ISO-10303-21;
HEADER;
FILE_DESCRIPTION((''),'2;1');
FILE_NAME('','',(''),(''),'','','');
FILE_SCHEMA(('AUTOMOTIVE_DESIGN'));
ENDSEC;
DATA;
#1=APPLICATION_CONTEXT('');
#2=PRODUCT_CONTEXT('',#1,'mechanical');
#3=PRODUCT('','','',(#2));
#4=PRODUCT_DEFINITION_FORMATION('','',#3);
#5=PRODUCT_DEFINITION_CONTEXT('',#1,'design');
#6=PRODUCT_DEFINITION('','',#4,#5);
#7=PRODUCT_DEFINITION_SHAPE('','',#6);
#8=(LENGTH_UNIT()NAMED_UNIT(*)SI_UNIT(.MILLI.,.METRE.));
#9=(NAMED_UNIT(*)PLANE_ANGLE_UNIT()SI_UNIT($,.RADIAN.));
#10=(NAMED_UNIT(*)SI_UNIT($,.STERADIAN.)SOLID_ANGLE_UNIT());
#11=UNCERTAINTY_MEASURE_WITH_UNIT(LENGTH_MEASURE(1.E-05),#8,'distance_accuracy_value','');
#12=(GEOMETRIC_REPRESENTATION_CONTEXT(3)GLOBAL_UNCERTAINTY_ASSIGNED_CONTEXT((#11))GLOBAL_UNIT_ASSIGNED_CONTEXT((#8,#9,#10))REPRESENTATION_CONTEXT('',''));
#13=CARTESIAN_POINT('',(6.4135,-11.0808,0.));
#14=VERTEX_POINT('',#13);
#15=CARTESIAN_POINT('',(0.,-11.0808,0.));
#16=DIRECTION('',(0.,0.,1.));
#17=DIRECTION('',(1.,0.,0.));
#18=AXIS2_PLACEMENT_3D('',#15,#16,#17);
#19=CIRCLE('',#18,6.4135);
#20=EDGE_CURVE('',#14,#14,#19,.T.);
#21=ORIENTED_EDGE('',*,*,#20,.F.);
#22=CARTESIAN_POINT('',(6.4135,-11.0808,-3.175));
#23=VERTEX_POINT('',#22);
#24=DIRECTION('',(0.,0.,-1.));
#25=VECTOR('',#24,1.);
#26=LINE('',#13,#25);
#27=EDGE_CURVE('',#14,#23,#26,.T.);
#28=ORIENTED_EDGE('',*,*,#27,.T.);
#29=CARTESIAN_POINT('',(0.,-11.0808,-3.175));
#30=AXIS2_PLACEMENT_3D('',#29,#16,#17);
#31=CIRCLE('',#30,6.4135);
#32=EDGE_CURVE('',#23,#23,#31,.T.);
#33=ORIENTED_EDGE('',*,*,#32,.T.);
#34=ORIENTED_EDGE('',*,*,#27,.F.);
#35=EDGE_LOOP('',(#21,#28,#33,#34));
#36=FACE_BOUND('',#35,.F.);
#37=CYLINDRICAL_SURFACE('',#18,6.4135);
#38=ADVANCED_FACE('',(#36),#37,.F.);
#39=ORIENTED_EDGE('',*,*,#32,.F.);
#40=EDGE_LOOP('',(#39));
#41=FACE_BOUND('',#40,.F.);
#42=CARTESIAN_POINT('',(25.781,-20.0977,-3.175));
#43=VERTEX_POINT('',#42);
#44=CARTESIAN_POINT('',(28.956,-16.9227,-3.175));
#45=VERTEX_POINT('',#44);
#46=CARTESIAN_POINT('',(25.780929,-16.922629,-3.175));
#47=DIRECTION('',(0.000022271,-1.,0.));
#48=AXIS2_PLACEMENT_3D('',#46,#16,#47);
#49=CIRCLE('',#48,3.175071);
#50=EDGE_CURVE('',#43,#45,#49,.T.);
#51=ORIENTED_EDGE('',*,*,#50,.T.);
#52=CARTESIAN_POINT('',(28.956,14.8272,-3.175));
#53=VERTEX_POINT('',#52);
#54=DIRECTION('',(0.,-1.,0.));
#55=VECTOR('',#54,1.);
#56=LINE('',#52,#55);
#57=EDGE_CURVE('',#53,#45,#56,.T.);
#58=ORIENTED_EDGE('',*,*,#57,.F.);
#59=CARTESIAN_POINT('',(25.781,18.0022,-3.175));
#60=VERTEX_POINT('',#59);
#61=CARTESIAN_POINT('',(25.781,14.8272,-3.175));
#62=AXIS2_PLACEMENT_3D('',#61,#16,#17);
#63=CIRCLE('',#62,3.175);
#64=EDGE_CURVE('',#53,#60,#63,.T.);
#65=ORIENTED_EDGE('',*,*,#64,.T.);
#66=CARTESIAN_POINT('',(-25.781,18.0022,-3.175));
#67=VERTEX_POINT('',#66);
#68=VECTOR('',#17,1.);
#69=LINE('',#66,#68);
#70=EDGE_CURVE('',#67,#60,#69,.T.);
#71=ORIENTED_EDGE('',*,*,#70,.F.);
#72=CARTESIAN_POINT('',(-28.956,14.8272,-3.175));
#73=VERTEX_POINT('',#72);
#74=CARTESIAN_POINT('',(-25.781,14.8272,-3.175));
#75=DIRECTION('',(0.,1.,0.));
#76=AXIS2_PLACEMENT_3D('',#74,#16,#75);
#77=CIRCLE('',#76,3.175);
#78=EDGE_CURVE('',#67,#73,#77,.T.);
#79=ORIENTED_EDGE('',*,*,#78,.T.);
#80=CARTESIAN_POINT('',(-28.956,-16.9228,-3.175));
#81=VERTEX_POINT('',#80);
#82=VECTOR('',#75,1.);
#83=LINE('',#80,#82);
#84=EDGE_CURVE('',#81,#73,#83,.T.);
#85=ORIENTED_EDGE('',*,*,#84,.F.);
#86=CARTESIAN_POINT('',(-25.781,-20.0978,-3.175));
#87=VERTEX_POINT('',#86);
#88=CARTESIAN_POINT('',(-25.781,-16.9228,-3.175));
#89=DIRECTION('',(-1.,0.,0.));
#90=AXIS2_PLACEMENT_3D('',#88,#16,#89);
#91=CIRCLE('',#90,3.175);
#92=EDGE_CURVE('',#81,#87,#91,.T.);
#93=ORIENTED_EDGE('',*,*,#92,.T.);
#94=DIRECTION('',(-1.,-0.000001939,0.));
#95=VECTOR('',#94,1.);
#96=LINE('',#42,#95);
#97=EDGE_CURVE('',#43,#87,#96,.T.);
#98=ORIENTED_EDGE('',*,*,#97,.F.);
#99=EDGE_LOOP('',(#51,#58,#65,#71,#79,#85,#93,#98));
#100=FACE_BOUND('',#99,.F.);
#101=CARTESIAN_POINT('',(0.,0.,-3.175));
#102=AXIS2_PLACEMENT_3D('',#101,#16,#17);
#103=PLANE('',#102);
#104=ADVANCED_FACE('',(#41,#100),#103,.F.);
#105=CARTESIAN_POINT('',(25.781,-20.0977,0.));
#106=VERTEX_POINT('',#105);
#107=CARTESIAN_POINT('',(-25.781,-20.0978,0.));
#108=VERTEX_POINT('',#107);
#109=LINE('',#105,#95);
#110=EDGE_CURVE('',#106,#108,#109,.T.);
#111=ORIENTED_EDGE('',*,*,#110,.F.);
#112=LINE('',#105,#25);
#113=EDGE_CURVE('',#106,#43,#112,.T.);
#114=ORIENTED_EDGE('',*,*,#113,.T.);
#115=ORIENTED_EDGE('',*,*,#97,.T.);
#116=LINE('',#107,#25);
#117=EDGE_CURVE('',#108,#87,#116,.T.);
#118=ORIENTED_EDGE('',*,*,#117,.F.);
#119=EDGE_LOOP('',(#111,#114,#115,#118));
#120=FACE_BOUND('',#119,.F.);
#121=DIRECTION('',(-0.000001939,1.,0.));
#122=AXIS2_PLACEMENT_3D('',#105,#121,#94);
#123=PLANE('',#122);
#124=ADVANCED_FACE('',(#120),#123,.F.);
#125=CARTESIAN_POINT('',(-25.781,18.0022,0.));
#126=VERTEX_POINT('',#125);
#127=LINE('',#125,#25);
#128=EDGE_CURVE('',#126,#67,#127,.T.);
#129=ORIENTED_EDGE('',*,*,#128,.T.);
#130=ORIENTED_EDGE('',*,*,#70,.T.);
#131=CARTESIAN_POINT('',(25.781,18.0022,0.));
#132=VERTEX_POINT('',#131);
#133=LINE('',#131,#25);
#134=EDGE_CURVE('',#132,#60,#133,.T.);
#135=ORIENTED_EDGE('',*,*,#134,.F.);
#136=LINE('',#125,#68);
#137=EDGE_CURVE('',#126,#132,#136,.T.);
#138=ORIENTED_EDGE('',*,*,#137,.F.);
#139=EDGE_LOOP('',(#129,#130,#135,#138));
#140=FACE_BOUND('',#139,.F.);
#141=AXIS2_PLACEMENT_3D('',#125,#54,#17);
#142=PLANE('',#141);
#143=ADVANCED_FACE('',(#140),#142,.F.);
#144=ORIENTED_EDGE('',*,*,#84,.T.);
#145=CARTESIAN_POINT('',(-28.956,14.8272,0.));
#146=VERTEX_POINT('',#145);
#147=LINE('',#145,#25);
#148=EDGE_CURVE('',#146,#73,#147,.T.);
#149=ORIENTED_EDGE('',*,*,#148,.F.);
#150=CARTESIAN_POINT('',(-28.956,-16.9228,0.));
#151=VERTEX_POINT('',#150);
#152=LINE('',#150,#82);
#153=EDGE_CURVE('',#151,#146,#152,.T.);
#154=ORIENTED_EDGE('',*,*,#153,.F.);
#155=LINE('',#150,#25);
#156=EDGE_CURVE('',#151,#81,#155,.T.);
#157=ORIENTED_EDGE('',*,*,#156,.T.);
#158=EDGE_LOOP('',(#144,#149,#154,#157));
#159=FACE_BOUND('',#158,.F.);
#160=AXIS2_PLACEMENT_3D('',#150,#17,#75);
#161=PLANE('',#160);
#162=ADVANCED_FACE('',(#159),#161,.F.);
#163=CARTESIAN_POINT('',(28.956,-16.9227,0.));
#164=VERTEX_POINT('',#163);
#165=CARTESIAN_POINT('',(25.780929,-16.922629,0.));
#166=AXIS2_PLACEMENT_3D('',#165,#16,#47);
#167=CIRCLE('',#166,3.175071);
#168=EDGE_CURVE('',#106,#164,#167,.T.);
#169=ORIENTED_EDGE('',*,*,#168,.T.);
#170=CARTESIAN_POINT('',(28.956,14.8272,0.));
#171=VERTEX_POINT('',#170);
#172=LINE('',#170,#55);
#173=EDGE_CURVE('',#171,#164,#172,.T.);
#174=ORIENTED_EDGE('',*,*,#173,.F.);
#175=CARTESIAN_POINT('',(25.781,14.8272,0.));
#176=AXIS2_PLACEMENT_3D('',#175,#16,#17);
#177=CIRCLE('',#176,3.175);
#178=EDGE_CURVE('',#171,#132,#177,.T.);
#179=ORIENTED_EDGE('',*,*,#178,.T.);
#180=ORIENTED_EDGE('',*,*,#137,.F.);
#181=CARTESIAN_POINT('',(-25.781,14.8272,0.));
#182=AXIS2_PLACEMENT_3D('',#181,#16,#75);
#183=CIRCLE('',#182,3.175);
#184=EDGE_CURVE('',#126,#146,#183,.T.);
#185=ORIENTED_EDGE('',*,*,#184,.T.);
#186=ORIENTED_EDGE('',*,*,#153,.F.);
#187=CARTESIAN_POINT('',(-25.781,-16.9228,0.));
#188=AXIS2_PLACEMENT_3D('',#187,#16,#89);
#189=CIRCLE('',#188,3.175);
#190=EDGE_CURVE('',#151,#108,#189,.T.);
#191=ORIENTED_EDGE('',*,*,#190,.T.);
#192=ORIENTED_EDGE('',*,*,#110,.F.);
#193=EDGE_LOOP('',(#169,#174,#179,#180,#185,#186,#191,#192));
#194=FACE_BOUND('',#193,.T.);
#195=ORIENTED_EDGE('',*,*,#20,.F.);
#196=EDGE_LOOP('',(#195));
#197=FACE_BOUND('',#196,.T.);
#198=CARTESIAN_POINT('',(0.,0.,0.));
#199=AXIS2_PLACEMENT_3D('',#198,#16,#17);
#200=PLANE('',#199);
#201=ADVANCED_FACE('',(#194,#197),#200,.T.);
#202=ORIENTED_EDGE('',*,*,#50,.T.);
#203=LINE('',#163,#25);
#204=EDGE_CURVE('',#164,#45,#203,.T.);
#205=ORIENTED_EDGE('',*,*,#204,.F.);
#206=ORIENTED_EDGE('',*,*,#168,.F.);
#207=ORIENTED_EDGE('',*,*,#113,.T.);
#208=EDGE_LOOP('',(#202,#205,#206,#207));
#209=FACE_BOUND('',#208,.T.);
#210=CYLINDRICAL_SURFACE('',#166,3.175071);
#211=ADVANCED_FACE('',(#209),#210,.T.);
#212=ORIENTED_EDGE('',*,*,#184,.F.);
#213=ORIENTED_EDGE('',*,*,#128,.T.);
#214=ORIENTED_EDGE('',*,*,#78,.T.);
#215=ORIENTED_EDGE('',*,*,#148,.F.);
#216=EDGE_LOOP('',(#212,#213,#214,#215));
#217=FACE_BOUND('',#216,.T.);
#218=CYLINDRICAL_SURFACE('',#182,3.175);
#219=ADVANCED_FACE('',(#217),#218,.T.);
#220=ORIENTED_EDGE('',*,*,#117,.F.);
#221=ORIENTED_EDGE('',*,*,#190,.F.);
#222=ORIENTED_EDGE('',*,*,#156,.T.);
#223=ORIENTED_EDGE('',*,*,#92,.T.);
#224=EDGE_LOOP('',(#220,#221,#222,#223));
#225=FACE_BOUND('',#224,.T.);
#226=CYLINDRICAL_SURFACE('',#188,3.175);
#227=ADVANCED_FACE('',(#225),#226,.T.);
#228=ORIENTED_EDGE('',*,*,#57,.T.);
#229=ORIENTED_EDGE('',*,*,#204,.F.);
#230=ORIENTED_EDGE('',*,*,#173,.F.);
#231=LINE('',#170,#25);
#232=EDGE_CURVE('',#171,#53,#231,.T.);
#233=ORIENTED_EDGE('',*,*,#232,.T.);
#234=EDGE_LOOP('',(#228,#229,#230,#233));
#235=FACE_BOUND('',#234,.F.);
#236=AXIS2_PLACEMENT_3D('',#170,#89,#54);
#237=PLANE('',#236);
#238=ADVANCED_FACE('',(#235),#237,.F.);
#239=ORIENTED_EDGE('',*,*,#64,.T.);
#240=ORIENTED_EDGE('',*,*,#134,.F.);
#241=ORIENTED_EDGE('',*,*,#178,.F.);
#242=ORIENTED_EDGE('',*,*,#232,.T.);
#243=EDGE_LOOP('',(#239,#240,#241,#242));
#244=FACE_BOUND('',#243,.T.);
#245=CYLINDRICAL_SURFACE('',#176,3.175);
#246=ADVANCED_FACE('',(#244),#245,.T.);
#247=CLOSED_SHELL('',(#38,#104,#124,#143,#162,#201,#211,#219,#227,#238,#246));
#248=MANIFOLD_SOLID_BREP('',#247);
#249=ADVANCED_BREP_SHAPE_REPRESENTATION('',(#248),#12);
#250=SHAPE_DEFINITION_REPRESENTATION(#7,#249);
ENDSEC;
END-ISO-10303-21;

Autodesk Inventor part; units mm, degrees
ref_plane "YZ Plane" through (0, 0, 0) normal (1, 0, 0) x (0, 1, 0)
ref_plane "XZ Plane" through (0, 0, 0) normal (0, 1, 0) x (-1, 0, 0)
ref_plane "XY Plane" through (0, 0, 0) normal (0, 0, 1) x (1, 0, 0)
sketch "Sketch1" plane through (0, 0, 0) normal (0, 0, 1) x (1, 0, 0)
  line L0 (-28.956, 18.0022) -> (-28.956, -40.1638) construction
  line L1 (28.956, 18.0022) -> (-28.956, 18.0022) construction
  line L2 (28.956, -40.1637) -> (28.956, 18.0022) construction
  line L3 (-25.781, 18.0022) -> (25.781, 18.0022)
  line L4 (28.956, 14.8272) -> (28.956, -16.9227)
  line L5 (25.781, -20.0977) -> (-25.781, -20.0978)
  line L6 (-28.956, -16.9228) -> (-28.956, 14.8272)
  arc A0 (-25.781, 18.0022) -> (-28.956, 14.8272) centre (-25.781, 14.8272) ccw
  arc A1 (28.956, 14.8272) -> (25.781, 18.0022) centre (25.781, 14.8272) ccw
  arc A2 (-28.956, -16.9228) -> (-25.781, -20.0978) centre (-25.781, -16.9228) ccw
  arc A3 (25.781, -20.0977) -> (28.956, -16.9227) centre (25.781, -16.9228) ccw
  circle A4 centre (0, -11.0808) radius 6.4135
  line L7 (-28.956, 18.0022) -> (28.956, -40.1637) construction
  line L8 (28.956, 18.0022) -> (-28.956, -40.1638) construction
  point P0 (0, 0)
  point P1 (28.956, -20.0977)
  point P2 (0, -11.0808)
  dimension "d0" = 38.1
  dimension "d1" = 3.175
  dimension "d2" = 12.827
extrude "Extrusion1" add sketch "Sketch1" against normal blind 3.175
